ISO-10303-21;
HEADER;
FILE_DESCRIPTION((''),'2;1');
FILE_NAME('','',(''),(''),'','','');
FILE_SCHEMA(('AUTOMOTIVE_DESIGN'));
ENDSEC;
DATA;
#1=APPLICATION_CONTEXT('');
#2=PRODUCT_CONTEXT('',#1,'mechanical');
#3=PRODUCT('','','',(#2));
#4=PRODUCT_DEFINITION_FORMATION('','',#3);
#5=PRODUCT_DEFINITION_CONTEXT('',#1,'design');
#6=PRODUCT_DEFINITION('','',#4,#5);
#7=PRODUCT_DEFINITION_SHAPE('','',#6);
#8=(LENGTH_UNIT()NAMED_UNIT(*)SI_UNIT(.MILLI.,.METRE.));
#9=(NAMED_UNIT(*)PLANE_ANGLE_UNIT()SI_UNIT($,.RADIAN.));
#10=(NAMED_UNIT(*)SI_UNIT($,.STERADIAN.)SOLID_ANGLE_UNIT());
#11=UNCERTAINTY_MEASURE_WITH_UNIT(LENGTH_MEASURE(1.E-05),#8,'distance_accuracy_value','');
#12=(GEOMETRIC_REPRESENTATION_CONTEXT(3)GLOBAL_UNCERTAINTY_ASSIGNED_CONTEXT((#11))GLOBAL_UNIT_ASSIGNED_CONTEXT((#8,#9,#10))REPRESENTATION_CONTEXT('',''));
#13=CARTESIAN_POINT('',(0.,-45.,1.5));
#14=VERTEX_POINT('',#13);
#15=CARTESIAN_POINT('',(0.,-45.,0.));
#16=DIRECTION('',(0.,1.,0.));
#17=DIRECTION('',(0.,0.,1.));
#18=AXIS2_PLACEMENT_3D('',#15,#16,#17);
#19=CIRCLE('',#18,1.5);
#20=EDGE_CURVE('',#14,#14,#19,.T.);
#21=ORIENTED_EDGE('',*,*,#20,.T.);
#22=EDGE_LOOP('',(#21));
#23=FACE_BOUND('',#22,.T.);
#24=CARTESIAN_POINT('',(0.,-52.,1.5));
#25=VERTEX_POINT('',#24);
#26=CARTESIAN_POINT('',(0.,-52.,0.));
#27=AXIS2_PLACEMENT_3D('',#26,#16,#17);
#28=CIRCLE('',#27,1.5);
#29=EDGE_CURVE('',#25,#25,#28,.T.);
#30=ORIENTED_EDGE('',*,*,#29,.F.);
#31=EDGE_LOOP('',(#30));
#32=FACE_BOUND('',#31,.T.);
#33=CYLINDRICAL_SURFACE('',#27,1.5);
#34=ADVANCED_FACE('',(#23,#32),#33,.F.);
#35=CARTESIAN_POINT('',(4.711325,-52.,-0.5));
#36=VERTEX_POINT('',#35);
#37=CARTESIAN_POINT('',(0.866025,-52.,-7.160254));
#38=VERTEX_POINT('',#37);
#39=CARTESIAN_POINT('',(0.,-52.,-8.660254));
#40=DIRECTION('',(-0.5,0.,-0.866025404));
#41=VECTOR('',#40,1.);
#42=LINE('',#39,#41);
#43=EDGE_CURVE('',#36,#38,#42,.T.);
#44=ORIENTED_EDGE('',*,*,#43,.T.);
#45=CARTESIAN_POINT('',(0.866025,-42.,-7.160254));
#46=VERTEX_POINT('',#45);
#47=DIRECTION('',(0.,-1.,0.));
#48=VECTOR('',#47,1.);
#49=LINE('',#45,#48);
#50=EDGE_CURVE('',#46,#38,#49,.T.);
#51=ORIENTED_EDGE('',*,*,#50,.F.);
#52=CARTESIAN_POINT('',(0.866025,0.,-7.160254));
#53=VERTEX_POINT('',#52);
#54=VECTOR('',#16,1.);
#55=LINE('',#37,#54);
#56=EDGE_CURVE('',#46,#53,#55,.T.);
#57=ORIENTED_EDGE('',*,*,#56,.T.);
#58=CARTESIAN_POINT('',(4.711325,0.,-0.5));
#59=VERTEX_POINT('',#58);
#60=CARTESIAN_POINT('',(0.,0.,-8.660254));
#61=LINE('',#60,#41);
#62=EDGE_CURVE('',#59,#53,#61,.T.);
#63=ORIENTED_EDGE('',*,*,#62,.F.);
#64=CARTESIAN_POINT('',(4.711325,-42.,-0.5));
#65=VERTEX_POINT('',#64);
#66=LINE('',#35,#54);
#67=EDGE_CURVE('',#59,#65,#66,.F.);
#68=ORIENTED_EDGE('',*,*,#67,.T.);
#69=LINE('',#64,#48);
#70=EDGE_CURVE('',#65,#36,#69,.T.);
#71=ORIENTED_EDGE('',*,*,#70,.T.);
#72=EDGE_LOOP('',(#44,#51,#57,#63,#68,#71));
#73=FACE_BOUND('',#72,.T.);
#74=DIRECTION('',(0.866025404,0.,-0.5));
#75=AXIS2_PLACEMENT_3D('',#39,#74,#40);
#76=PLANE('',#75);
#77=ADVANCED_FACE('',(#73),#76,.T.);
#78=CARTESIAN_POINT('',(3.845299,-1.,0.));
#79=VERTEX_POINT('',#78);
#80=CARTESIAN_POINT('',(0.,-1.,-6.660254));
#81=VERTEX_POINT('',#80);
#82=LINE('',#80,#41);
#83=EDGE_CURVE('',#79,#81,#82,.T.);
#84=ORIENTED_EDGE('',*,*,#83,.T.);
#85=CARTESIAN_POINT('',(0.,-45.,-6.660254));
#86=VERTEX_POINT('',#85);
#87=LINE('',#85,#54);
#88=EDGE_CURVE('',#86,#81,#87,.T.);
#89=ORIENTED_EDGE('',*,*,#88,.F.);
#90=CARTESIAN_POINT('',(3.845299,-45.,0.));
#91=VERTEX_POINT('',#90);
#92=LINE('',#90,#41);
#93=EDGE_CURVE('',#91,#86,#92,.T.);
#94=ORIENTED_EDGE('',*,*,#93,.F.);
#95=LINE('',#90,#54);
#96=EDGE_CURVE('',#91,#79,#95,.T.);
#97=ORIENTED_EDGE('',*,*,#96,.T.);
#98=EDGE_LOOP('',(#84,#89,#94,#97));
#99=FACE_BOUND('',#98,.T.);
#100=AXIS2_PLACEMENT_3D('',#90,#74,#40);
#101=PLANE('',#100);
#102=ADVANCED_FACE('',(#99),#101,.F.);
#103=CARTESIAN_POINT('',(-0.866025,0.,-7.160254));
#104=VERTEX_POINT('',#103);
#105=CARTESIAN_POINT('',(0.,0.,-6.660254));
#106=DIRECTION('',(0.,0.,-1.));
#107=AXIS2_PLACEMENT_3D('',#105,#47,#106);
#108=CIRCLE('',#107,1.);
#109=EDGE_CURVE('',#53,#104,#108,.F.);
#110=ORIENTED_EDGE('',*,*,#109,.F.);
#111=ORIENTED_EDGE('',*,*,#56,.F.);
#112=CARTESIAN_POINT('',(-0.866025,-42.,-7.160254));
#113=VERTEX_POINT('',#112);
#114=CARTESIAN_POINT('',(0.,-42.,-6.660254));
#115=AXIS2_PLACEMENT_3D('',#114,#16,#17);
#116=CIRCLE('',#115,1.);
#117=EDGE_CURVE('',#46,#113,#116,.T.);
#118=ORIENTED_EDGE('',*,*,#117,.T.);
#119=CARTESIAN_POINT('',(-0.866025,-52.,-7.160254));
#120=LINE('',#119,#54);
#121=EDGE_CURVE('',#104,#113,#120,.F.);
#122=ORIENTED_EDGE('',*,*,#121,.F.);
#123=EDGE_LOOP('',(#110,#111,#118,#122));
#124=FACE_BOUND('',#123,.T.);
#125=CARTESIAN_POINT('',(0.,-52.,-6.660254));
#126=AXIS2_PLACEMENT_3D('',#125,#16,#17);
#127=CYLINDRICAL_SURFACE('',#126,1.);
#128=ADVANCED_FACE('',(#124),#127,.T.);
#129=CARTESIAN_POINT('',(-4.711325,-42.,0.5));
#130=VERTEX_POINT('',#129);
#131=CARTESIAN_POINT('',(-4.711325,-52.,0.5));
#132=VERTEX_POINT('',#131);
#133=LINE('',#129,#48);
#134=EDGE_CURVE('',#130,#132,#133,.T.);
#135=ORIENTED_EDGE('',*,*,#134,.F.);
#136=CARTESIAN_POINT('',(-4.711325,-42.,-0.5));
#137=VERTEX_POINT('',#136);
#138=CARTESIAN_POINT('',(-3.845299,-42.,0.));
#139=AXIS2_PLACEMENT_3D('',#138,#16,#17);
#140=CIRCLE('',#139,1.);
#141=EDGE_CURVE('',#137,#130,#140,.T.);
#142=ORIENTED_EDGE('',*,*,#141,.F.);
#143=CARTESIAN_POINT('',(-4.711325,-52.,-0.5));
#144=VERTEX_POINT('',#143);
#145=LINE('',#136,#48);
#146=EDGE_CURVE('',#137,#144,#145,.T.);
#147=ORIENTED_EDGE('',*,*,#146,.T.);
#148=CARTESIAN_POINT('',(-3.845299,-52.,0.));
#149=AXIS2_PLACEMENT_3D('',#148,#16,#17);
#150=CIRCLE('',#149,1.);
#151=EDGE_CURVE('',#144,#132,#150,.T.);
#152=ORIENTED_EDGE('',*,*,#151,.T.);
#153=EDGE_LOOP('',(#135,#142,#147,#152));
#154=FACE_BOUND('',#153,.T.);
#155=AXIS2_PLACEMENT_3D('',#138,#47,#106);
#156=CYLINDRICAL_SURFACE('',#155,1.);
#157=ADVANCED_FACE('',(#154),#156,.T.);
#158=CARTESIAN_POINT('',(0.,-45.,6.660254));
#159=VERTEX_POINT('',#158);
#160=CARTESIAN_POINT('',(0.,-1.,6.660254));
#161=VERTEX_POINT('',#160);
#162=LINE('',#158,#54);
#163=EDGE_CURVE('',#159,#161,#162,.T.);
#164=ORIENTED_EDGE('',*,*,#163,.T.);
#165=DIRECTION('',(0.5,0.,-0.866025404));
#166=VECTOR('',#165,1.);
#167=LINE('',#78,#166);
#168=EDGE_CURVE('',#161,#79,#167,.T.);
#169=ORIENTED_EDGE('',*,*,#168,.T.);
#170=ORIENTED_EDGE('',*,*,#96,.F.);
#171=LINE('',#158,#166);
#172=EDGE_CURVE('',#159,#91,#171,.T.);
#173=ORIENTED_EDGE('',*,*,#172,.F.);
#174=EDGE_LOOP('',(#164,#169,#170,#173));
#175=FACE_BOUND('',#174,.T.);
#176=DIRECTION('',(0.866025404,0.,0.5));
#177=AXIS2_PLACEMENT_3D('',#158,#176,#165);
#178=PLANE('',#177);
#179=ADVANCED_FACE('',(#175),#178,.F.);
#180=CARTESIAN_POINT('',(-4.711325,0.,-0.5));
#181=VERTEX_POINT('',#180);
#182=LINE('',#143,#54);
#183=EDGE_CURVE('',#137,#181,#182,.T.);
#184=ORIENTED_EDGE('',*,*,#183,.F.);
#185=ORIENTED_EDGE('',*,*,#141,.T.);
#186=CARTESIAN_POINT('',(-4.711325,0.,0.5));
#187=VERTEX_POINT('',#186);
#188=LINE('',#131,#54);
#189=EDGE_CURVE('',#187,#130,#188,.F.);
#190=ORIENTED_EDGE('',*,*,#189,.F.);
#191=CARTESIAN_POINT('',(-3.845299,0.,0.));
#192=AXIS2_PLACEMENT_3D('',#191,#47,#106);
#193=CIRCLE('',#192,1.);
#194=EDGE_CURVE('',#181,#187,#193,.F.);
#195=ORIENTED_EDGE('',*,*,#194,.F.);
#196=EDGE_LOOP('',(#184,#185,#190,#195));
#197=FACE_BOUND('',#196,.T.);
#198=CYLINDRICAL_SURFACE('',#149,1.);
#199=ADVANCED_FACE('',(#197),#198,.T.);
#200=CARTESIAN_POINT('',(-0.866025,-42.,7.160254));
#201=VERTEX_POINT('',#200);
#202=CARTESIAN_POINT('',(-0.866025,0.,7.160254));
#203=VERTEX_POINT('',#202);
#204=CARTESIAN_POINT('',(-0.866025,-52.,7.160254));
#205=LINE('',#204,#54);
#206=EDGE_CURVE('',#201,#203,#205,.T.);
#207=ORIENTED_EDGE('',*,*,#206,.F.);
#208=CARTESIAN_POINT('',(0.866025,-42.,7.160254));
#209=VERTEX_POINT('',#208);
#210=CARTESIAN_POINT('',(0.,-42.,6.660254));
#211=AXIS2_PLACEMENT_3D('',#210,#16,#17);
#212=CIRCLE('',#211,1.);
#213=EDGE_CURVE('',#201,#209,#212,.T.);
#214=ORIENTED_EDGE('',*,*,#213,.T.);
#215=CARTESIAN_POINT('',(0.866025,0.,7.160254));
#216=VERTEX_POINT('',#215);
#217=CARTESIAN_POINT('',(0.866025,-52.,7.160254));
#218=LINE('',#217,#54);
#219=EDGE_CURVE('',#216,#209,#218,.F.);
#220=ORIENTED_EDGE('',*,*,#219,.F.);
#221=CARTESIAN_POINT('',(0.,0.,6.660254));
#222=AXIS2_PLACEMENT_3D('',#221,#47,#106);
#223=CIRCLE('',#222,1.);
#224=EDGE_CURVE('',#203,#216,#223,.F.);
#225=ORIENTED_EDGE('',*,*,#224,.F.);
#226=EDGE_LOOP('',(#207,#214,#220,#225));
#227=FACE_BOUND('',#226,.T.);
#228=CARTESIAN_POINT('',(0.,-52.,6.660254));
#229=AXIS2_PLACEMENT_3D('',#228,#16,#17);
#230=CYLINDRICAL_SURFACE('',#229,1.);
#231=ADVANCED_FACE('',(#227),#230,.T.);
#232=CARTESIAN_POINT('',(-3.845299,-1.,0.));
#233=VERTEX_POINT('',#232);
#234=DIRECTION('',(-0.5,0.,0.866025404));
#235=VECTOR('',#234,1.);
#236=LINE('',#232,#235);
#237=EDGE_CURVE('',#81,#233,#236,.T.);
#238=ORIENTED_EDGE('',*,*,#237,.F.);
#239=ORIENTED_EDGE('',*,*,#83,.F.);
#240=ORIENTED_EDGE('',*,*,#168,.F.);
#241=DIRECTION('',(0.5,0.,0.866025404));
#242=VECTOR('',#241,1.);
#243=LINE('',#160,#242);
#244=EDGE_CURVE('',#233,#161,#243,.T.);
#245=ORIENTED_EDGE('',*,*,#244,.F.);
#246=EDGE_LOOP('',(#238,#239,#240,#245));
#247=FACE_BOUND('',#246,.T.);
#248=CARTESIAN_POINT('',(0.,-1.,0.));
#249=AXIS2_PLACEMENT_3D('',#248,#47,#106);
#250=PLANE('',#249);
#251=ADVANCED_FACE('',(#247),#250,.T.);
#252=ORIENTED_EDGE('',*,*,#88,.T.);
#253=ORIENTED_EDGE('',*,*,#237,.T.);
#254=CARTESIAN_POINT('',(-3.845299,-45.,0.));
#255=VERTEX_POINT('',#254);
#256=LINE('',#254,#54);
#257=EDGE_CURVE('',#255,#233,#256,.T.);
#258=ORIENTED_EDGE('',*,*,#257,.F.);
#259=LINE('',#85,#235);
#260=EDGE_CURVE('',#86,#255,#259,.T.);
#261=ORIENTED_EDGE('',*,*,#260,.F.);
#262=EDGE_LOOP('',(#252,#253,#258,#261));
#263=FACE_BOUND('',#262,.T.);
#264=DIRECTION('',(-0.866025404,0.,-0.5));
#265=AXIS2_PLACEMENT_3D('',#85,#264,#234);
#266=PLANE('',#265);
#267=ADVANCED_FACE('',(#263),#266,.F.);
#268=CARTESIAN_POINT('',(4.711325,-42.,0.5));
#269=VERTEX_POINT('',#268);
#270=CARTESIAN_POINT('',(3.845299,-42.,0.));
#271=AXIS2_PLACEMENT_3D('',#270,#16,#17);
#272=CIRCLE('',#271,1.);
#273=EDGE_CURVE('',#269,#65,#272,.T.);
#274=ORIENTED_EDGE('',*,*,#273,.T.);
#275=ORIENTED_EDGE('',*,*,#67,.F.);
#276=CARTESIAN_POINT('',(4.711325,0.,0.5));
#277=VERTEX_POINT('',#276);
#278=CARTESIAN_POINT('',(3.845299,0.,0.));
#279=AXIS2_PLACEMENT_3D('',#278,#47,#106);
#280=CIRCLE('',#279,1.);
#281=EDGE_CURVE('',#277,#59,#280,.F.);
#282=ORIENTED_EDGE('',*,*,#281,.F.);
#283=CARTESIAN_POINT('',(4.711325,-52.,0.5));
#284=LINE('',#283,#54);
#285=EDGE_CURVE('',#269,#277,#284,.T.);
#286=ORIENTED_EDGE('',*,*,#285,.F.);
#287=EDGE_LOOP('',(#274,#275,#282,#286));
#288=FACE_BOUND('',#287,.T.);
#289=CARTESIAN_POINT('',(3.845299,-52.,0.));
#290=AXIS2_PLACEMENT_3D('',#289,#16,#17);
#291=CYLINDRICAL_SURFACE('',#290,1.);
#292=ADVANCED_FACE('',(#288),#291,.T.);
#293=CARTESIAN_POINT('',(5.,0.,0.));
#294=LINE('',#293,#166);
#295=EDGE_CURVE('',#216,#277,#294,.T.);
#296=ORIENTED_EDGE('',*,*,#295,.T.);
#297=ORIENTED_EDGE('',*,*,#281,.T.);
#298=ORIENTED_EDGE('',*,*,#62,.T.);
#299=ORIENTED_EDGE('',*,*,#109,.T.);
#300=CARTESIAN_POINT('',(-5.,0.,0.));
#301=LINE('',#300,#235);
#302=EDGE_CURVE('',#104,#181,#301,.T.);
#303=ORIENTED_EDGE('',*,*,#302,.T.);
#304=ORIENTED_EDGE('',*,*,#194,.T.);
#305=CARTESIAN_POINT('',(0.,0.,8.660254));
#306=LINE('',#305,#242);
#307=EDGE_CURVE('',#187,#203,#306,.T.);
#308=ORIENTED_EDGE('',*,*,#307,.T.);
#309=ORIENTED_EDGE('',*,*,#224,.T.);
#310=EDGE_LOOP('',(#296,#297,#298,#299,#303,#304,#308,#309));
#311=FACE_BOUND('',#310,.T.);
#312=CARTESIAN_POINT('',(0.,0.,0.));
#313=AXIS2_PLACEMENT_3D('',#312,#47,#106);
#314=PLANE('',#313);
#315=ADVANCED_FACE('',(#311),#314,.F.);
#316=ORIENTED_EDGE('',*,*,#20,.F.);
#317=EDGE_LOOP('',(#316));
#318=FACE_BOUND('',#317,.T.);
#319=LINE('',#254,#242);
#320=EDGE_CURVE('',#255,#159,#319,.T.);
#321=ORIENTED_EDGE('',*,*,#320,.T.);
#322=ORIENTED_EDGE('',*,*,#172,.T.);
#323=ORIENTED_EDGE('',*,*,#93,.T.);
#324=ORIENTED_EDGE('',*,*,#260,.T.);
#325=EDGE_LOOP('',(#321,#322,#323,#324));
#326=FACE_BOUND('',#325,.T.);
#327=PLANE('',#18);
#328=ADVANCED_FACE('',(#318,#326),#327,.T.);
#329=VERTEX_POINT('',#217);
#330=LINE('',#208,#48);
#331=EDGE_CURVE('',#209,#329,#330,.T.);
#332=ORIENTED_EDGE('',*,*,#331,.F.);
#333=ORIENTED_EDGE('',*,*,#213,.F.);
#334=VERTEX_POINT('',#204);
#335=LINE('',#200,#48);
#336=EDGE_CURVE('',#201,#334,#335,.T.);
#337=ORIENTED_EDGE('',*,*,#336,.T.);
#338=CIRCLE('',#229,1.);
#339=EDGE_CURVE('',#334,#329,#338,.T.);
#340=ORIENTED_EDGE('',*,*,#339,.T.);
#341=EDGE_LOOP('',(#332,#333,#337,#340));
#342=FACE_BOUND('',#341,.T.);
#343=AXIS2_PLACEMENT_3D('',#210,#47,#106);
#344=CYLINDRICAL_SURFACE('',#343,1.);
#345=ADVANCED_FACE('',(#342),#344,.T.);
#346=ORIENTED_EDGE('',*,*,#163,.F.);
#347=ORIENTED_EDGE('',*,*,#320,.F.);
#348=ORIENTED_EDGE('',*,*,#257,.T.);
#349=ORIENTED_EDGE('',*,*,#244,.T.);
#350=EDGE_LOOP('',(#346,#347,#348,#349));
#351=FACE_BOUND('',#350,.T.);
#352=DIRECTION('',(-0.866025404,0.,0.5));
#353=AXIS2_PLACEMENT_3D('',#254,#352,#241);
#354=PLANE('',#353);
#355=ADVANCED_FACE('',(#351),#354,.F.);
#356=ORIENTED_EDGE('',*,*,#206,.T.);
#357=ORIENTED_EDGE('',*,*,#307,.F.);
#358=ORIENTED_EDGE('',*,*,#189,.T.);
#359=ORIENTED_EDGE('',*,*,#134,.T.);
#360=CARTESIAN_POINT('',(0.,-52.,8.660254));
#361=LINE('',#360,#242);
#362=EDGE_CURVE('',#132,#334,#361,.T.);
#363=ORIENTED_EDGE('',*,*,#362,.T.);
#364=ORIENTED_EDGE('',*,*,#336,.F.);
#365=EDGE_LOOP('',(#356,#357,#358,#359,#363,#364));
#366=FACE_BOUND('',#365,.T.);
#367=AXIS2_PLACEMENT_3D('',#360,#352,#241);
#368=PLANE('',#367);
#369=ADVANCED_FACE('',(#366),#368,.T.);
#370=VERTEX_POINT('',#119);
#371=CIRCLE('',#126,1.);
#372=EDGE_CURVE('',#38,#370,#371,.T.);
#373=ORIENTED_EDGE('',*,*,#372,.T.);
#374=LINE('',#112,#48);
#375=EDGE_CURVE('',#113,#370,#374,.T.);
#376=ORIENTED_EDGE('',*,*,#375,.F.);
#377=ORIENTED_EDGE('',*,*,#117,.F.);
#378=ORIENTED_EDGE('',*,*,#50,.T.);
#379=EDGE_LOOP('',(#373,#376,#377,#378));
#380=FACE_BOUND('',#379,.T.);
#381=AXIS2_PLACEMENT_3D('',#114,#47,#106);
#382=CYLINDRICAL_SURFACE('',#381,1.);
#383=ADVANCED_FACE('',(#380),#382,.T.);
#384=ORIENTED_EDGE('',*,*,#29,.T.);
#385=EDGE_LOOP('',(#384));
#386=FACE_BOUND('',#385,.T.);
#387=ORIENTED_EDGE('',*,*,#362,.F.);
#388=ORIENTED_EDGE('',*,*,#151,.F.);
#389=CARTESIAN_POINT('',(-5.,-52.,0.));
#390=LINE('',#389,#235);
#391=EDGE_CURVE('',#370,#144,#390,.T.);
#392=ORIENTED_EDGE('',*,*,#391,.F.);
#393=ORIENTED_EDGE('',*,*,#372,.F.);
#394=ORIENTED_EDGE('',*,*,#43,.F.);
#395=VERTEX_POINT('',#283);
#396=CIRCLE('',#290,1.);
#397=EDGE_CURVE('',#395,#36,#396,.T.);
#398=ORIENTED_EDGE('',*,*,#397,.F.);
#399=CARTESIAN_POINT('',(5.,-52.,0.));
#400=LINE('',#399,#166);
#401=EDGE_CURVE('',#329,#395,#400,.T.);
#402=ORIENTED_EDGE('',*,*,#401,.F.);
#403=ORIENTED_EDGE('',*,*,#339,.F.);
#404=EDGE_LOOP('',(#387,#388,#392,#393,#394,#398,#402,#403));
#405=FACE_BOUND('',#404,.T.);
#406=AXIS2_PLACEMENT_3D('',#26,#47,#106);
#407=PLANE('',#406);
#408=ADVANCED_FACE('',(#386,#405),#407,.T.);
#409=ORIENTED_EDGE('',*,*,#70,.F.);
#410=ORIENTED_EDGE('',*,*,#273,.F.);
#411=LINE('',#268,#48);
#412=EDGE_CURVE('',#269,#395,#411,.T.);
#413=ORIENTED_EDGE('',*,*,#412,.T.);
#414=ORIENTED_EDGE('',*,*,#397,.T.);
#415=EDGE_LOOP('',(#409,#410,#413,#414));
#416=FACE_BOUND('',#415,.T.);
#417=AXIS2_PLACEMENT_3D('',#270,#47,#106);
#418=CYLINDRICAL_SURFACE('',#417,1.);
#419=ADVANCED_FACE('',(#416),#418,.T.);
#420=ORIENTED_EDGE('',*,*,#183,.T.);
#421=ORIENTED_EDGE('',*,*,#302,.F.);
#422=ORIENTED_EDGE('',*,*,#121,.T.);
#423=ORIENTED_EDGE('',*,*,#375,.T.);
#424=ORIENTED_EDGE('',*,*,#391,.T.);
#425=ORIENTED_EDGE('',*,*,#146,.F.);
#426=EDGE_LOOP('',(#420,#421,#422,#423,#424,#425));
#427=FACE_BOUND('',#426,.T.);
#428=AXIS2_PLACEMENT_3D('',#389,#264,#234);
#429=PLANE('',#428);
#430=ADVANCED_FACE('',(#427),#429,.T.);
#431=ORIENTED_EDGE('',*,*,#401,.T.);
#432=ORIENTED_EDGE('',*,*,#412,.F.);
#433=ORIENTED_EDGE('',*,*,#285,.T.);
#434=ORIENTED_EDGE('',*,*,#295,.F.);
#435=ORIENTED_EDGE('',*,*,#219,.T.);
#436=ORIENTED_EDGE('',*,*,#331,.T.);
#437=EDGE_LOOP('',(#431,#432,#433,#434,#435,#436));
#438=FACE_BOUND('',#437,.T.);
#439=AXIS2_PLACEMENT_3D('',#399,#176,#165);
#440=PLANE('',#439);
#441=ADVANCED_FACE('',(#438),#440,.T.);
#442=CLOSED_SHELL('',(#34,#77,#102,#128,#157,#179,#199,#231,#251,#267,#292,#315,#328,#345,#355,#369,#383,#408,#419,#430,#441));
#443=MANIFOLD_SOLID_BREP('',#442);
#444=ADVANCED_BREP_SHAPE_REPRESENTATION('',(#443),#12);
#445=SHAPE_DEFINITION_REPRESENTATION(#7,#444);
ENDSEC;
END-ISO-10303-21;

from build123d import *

# Parameters (mm, degrees)
BOSS_EXTRUDE1_DEPTH = 52
CUT_EXTRUDE1_DEPTH  = 45
SKETCH3_R           = 1.5
CUT_EXTRUDE2_DEPTH  = 8
BOSS_EXTRUDE2_DEPTH = 1
CUT_EXTRUDE5_DEPTH  = 10
FILLET1_R           = 1


with BuildPart() as part:
    # Sketch1 → Boss-Extrude1 (new body)
    with BuildSketch(Plane(origin=(0, 0, 0), x_dir=(1, 0, 0), z_dir=(0, 1, 0))):
        Polygon((-5, 0), (0, 8.660254), (5, 0), (0, -8.660254), align=None)
    extrude(amount=-BOSS_EXTRUDE1_DEPTH)

    # Sketch2 → Cut-Extrude1 (cut)
    with BuildSketch(Plane(origin=(0, 0, 0), x_dir=(1, 0, 0), z_dir=(0, 1, 0))):
        Polygon((0, 6.660254), (-3.845299, 0), (0, -6.660254), (3.845299, 0), align=None)
    extrude(amount=-CUT_EXTRUDE1_DEPTH, mode=Mode.SUBTRACT)

    # Sketch3 → Cut-Extrude2 (cut, through all)
    with BuildSketch(Plane(origin=(0, -45, 0), x_dir=(1, 0, 0), z_dir=(0, 1, 0))):
        Circle(SKETCH3_R)
    extrude(amount=-CUT_EXTRUDE2_DEPTH, mode=Mode.SUBTRACT)

    # Sketch5 → Boss-Extrude2 (add)
    with BuildSketch(Plane(origin=(0, 0, 0), x_dir=(1, 0, 0), z_dir=(0, 1, 0))):
        Polygon((-3.845299, 0), (0, 6.660254), (3.845299, 0), (0, -6.660254), align=None)
    extrude(amount=-BOSS_EXTRUDE2_DEPTH)

    # Sketch12 → Cut-Extrude5 (cut)
    with BuildSketch(Plane.XZ.offset(52)):
        with BuildLine():
            Line((-0.866025, 7.160254), (0, 8.660254))
            Line((0, 8.660254), (0.866025, 7.160254))
            ThreePointArc((0.866025, 7.160254), (0, 7.660254), (-0.866025, 7.160254))
        make_face()
        with BuildLine():
            Line((-4.711325, 0.5), (-5, 0))
            Line((-5, 0), (-4.711325, -0.5))
            ThreePointArc((-4.711325, -0.5), (-4.845299, 0), (-4.711325, 0.5))
        make_face()
        with BuildLine():
            Line((-0.866025, -7.160254), (0, -8.660254))
            Line((0, -8.660254), (0.866025, -7.160254))
            ThreePointArc((0.866025, -7.160254), (0, -7.660254), (-0.866025, -7.160254))
        make_face()
        with BuildLine():
            Line((4.711325, 0.5), (5, 0))
            Line((5, 0), (4.711325, -0.5))
            ThreePointArc((4.711325, -0.5), (4.845299, 0), (4.711325, 0.5))
        make_face()
    extrude(amount=-CUT_EXTRUDE5_DEPTH, mode=Mode.SUBTRACT)

    # Fillet1
    fillet1_edges = [part.edges().sort_by_distance(p)[0] for p in [
        (-5, -21, 0),
        (0, -21, 8.660254),
        (5, -21, 0),
        (0, -21, -8.660254),
    ]]
    fillet(fillet1_edges, radius=FILLET1_R)


solid = part.part
